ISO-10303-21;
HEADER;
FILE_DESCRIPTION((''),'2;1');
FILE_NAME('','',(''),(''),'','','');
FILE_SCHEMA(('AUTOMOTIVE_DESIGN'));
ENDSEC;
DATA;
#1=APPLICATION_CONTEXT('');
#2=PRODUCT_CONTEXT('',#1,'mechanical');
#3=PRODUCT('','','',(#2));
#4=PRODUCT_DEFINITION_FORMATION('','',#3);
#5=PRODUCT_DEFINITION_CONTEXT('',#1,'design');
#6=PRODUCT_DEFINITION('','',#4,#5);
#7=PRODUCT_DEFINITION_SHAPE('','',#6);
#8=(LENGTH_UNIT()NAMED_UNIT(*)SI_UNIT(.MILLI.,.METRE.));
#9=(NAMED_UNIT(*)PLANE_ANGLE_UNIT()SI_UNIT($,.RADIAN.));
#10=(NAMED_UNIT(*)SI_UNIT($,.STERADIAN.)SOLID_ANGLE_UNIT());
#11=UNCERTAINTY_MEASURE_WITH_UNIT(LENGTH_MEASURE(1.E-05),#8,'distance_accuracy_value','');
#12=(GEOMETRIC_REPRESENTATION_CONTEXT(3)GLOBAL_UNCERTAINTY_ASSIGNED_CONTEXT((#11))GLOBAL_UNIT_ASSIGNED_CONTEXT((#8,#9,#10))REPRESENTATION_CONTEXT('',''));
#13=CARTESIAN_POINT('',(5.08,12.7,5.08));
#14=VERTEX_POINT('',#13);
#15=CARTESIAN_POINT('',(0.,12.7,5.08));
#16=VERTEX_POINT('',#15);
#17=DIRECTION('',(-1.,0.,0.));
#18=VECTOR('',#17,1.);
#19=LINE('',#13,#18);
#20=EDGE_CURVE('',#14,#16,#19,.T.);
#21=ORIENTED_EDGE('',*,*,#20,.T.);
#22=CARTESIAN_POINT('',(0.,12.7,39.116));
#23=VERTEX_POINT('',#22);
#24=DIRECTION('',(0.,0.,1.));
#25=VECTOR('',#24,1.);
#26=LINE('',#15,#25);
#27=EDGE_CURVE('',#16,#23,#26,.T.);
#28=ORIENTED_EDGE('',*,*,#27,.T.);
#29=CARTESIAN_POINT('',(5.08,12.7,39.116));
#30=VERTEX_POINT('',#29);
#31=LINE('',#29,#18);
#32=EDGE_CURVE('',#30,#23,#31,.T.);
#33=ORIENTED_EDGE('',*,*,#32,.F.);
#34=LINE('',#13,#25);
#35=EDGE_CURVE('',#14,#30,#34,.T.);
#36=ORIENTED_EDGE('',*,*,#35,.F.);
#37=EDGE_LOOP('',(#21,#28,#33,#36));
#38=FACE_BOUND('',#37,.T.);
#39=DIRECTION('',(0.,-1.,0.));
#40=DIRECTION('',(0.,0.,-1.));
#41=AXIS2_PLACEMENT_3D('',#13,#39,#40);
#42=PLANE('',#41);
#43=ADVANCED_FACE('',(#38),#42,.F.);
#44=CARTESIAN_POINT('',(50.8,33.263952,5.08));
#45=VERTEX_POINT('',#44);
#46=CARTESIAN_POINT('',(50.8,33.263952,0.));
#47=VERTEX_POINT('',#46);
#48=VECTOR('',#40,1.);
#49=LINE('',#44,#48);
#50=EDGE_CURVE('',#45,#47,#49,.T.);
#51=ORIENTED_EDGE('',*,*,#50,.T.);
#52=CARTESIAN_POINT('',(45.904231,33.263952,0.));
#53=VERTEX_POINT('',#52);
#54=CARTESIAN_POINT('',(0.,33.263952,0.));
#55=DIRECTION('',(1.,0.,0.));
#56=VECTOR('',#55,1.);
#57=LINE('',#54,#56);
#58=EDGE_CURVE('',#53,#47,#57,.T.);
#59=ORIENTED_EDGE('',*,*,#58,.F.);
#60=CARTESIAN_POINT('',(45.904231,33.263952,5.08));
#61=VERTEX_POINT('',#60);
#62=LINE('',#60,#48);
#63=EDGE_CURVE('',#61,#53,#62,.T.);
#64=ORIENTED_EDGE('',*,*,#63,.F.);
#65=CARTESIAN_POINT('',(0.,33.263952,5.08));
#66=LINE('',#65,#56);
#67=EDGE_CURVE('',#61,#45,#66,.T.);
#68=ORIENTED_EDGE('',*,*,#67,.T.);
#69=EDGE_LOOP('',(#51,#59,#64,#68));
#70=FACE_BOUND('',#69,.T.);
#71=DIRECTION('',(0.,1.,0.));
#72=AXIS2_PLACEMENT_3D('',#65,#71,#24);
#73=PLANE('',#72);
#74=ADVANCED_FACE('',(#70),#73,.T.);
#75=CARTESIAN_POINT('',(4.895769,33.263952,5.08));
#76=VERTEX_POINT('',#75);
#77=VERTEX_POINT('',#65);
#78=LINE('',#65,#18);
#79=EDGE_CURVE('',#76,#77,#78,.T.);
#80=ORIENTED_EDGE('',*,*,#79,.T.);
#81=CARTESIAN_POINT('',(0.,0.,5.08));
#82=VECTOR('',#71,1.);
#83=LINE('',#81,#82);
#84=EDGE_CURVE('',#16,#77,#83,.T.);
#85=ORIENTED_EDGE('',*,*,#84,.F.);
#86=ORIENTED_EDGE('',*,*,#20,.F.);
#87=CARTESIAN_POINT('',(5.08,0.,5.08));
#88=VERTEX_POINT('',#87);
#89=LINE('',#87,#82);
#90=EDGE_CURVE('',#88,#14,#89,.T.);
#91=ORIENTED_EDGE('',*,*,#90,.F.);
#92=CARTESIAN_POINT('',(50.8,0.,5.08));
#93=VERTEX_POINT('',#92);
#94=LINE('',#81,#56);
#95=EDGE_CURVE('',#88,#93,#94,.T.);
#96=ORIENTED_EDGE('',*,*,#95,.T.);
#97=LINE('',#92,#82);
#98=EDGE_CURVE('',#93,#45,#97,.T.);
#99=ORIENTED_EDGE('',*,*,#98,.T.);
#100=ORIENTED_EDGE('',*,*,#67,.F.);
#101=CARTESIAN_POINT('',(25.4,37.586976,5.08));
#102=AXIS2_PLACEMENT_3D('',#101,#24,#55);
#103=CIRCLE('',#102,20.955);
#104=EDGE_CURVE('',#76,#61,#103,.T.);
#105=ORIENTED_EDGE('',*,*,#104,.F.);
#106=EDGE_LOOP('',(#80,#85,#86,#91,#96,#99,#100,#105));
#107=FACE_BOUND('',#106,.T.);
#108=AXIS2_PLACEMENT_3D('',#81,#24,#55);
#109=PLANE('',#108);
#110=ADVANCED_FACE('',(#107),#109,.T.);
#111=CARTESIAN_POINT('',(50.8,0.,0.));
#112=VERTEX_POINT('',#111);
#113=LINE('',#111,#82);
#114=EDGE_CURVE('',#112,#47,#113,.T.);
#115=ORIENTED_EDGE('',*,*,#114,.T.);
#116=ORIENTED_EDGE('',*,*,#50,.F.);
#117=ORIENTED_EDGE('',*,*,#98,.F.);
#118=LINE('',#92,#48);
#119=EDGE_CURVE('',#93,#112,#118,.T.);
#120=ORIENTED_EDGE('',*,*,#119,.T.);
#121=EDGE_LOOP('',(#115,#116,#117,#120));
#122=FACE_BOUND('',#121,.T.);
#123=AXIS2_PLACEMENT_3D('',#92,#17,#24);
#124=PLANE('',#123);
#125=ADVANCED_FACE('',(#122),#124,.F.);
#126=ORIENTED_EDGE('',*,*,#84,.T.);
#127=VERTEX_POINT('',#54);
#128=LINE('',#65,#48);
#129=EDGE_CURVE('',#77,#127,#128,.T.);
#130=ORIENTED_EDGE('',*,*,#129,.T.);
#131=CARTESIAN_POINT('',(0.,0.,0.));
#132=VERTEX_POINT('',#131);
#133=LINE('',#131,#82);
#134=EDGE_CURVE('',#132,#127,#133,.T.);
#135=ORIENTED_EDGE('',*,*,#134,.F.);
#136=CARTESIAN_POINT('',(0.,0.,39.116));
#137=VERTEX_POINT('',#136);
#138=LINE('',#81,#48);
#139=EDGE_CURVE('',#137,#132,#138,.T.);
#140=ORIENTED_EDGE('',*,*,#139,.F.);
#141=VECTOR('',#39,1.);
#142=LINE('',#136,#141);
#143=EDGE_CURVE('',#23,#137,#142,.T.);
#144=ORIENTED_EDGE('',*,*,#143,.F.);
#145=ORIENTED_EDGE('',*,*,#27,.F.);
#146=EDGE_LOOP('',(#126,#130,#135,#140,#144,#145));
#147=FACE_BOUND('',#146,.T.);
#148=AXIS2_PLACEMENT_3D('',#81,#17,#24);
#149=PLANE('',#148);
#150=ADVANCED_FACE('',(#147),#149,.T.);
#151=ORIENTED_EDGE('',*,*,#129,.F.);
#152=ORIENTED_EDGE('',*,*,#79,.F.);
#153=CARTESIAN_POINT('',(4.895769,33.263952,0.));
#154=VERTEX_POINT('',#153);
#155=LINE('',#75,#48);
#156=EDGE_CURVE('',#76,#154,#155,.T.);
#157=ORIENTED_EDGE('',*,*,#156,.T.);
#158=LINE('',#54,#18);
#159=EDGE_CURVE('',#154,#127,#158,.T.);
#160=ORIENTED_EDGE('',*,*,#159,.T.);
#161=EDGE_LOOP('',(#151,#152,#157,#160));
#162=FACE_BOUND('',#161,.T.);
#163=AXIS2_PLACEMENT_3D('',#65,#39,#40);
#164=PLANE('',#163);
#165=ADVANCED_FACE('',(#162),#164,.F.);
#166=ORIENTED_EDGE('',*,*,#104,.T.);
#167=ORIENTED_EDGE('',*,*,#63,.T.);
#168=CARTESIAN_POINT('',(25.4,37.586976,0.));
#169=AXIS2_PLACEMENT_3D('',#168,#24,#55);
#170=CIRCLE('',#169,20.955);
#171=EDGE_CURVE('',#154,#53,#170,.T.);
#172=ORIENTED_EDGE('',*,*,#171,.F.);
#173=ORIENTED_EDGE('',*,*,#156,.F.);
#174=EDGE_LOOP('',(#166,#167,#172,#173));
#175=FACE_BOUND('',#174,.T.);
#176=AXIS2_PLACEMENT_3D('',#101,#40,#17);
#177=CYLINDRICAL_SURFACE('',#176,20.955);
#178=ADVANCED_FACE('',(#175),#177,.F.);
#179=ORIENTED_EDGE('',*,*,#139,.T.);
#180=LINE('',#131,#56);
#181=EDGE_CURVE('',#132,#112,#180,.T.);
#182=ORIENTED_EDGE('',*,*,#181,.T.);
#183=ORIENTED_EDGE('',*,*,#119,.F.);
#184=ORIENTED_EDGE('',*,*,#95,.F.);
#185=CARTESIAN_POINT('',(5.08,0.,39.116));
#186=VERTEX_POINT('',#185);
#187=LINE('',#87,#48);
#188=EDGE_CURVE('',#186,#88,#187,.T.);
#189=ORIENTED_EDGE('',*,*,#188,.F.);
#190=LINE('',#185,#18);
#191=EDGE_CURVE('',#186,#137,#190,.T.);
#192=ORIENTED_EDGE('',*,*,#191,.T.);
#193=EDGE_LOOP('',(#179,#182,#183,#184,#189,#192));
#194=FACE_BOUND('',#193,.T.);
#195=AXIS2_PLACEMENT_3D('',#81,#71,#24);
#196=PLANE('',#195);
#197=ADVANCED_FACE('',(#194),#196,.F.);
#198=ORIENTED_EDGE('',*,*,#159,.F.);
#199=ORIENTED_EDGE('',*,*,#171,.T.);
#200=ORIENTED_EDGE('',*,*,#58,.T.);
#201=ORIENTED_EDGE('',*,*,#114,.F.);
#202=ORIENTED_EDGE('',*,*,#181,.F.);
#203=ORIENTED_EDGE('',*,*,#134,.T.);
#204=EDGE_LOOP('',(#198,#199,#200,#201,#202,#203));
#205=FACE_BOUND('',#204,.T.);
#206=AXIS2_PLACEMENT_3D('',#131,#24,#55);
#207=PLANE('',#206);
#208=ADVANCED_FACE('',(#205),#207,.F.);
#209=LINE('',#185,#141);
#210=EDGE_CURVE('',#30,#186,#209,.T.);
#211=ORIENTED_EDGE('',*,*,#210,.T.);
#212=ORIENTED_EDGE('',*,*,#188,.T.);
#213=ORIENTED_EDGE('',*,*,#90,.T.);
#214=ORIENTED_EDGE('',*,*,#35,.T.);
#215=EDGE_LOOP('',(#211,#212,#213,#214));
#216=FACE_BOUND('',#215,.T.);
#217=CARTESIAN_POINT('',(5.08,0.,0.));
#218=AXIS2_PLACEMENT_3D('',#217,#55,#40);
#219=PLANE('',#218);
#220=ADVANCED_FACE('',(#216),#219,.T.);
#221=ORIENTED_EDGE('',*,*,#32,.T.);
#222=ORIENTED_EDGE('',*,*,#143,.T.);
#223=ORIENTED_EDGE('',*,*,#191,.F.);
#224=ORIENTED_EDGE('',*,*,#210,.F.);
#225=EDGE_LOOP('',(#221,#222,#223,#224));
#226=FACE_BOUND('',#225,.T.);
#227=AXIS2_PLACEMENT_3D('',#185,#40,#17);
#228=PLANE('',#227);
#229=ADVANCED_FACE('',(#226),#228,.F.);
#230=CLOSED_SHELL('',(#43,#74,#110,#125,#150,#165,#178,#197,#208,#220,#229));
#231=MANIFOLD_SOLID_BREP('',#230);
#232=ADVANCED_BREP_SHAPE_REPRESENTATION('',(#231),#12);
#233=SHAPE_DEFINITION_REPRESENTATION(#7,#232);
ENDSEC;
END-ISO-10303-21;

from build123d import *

# Parameters (mm, degrees)
BOSS_EXTRUDE1_DEPTH = 5.08
SKETCH2_W           = 34.036
SKETCH2_H           = 12.7
BOSS_EXTRUDE2_DEPTH = 5.08


with BuildPart() as part:
    # Sketch1 → Boss-Extrude1 (new body)
    with BuildSketch(Plane.XY):
        with BuildLine():
            ThreePointArc((4.89576896, 33.263952472), (25.4, 16.631976236), (45.90423104, 33.263952472))
            Line((45.90423104, 33.263952472), (50.8, 33.263952472))
            Line((50.8, 33.263952472), (50.8, 0))
            Line((50.8, 0), (0, 0))
            Line((0, 0), (0, 33.263952472))
            Line((0, 33.263952472), (4.89576896, 33.263952472))
        make_face()
    extrude(amount=BOSS_EXTRUDE1_DEPTH)

    # Sketch2 → Boss-Extrude2 (add)
    with BuildSketch(Plane(origin=(0, 0, 0), x_dir=(0, 0, -1), z_dir=(1, 0, 0))):
        with Locations((-22.098, 6.35)):
            Rectangle(SKETCH2_W, SKETCH2_H)
    extrude(amount=BOSS_EXTRUDE2_DEPTH)


solid = part.part
